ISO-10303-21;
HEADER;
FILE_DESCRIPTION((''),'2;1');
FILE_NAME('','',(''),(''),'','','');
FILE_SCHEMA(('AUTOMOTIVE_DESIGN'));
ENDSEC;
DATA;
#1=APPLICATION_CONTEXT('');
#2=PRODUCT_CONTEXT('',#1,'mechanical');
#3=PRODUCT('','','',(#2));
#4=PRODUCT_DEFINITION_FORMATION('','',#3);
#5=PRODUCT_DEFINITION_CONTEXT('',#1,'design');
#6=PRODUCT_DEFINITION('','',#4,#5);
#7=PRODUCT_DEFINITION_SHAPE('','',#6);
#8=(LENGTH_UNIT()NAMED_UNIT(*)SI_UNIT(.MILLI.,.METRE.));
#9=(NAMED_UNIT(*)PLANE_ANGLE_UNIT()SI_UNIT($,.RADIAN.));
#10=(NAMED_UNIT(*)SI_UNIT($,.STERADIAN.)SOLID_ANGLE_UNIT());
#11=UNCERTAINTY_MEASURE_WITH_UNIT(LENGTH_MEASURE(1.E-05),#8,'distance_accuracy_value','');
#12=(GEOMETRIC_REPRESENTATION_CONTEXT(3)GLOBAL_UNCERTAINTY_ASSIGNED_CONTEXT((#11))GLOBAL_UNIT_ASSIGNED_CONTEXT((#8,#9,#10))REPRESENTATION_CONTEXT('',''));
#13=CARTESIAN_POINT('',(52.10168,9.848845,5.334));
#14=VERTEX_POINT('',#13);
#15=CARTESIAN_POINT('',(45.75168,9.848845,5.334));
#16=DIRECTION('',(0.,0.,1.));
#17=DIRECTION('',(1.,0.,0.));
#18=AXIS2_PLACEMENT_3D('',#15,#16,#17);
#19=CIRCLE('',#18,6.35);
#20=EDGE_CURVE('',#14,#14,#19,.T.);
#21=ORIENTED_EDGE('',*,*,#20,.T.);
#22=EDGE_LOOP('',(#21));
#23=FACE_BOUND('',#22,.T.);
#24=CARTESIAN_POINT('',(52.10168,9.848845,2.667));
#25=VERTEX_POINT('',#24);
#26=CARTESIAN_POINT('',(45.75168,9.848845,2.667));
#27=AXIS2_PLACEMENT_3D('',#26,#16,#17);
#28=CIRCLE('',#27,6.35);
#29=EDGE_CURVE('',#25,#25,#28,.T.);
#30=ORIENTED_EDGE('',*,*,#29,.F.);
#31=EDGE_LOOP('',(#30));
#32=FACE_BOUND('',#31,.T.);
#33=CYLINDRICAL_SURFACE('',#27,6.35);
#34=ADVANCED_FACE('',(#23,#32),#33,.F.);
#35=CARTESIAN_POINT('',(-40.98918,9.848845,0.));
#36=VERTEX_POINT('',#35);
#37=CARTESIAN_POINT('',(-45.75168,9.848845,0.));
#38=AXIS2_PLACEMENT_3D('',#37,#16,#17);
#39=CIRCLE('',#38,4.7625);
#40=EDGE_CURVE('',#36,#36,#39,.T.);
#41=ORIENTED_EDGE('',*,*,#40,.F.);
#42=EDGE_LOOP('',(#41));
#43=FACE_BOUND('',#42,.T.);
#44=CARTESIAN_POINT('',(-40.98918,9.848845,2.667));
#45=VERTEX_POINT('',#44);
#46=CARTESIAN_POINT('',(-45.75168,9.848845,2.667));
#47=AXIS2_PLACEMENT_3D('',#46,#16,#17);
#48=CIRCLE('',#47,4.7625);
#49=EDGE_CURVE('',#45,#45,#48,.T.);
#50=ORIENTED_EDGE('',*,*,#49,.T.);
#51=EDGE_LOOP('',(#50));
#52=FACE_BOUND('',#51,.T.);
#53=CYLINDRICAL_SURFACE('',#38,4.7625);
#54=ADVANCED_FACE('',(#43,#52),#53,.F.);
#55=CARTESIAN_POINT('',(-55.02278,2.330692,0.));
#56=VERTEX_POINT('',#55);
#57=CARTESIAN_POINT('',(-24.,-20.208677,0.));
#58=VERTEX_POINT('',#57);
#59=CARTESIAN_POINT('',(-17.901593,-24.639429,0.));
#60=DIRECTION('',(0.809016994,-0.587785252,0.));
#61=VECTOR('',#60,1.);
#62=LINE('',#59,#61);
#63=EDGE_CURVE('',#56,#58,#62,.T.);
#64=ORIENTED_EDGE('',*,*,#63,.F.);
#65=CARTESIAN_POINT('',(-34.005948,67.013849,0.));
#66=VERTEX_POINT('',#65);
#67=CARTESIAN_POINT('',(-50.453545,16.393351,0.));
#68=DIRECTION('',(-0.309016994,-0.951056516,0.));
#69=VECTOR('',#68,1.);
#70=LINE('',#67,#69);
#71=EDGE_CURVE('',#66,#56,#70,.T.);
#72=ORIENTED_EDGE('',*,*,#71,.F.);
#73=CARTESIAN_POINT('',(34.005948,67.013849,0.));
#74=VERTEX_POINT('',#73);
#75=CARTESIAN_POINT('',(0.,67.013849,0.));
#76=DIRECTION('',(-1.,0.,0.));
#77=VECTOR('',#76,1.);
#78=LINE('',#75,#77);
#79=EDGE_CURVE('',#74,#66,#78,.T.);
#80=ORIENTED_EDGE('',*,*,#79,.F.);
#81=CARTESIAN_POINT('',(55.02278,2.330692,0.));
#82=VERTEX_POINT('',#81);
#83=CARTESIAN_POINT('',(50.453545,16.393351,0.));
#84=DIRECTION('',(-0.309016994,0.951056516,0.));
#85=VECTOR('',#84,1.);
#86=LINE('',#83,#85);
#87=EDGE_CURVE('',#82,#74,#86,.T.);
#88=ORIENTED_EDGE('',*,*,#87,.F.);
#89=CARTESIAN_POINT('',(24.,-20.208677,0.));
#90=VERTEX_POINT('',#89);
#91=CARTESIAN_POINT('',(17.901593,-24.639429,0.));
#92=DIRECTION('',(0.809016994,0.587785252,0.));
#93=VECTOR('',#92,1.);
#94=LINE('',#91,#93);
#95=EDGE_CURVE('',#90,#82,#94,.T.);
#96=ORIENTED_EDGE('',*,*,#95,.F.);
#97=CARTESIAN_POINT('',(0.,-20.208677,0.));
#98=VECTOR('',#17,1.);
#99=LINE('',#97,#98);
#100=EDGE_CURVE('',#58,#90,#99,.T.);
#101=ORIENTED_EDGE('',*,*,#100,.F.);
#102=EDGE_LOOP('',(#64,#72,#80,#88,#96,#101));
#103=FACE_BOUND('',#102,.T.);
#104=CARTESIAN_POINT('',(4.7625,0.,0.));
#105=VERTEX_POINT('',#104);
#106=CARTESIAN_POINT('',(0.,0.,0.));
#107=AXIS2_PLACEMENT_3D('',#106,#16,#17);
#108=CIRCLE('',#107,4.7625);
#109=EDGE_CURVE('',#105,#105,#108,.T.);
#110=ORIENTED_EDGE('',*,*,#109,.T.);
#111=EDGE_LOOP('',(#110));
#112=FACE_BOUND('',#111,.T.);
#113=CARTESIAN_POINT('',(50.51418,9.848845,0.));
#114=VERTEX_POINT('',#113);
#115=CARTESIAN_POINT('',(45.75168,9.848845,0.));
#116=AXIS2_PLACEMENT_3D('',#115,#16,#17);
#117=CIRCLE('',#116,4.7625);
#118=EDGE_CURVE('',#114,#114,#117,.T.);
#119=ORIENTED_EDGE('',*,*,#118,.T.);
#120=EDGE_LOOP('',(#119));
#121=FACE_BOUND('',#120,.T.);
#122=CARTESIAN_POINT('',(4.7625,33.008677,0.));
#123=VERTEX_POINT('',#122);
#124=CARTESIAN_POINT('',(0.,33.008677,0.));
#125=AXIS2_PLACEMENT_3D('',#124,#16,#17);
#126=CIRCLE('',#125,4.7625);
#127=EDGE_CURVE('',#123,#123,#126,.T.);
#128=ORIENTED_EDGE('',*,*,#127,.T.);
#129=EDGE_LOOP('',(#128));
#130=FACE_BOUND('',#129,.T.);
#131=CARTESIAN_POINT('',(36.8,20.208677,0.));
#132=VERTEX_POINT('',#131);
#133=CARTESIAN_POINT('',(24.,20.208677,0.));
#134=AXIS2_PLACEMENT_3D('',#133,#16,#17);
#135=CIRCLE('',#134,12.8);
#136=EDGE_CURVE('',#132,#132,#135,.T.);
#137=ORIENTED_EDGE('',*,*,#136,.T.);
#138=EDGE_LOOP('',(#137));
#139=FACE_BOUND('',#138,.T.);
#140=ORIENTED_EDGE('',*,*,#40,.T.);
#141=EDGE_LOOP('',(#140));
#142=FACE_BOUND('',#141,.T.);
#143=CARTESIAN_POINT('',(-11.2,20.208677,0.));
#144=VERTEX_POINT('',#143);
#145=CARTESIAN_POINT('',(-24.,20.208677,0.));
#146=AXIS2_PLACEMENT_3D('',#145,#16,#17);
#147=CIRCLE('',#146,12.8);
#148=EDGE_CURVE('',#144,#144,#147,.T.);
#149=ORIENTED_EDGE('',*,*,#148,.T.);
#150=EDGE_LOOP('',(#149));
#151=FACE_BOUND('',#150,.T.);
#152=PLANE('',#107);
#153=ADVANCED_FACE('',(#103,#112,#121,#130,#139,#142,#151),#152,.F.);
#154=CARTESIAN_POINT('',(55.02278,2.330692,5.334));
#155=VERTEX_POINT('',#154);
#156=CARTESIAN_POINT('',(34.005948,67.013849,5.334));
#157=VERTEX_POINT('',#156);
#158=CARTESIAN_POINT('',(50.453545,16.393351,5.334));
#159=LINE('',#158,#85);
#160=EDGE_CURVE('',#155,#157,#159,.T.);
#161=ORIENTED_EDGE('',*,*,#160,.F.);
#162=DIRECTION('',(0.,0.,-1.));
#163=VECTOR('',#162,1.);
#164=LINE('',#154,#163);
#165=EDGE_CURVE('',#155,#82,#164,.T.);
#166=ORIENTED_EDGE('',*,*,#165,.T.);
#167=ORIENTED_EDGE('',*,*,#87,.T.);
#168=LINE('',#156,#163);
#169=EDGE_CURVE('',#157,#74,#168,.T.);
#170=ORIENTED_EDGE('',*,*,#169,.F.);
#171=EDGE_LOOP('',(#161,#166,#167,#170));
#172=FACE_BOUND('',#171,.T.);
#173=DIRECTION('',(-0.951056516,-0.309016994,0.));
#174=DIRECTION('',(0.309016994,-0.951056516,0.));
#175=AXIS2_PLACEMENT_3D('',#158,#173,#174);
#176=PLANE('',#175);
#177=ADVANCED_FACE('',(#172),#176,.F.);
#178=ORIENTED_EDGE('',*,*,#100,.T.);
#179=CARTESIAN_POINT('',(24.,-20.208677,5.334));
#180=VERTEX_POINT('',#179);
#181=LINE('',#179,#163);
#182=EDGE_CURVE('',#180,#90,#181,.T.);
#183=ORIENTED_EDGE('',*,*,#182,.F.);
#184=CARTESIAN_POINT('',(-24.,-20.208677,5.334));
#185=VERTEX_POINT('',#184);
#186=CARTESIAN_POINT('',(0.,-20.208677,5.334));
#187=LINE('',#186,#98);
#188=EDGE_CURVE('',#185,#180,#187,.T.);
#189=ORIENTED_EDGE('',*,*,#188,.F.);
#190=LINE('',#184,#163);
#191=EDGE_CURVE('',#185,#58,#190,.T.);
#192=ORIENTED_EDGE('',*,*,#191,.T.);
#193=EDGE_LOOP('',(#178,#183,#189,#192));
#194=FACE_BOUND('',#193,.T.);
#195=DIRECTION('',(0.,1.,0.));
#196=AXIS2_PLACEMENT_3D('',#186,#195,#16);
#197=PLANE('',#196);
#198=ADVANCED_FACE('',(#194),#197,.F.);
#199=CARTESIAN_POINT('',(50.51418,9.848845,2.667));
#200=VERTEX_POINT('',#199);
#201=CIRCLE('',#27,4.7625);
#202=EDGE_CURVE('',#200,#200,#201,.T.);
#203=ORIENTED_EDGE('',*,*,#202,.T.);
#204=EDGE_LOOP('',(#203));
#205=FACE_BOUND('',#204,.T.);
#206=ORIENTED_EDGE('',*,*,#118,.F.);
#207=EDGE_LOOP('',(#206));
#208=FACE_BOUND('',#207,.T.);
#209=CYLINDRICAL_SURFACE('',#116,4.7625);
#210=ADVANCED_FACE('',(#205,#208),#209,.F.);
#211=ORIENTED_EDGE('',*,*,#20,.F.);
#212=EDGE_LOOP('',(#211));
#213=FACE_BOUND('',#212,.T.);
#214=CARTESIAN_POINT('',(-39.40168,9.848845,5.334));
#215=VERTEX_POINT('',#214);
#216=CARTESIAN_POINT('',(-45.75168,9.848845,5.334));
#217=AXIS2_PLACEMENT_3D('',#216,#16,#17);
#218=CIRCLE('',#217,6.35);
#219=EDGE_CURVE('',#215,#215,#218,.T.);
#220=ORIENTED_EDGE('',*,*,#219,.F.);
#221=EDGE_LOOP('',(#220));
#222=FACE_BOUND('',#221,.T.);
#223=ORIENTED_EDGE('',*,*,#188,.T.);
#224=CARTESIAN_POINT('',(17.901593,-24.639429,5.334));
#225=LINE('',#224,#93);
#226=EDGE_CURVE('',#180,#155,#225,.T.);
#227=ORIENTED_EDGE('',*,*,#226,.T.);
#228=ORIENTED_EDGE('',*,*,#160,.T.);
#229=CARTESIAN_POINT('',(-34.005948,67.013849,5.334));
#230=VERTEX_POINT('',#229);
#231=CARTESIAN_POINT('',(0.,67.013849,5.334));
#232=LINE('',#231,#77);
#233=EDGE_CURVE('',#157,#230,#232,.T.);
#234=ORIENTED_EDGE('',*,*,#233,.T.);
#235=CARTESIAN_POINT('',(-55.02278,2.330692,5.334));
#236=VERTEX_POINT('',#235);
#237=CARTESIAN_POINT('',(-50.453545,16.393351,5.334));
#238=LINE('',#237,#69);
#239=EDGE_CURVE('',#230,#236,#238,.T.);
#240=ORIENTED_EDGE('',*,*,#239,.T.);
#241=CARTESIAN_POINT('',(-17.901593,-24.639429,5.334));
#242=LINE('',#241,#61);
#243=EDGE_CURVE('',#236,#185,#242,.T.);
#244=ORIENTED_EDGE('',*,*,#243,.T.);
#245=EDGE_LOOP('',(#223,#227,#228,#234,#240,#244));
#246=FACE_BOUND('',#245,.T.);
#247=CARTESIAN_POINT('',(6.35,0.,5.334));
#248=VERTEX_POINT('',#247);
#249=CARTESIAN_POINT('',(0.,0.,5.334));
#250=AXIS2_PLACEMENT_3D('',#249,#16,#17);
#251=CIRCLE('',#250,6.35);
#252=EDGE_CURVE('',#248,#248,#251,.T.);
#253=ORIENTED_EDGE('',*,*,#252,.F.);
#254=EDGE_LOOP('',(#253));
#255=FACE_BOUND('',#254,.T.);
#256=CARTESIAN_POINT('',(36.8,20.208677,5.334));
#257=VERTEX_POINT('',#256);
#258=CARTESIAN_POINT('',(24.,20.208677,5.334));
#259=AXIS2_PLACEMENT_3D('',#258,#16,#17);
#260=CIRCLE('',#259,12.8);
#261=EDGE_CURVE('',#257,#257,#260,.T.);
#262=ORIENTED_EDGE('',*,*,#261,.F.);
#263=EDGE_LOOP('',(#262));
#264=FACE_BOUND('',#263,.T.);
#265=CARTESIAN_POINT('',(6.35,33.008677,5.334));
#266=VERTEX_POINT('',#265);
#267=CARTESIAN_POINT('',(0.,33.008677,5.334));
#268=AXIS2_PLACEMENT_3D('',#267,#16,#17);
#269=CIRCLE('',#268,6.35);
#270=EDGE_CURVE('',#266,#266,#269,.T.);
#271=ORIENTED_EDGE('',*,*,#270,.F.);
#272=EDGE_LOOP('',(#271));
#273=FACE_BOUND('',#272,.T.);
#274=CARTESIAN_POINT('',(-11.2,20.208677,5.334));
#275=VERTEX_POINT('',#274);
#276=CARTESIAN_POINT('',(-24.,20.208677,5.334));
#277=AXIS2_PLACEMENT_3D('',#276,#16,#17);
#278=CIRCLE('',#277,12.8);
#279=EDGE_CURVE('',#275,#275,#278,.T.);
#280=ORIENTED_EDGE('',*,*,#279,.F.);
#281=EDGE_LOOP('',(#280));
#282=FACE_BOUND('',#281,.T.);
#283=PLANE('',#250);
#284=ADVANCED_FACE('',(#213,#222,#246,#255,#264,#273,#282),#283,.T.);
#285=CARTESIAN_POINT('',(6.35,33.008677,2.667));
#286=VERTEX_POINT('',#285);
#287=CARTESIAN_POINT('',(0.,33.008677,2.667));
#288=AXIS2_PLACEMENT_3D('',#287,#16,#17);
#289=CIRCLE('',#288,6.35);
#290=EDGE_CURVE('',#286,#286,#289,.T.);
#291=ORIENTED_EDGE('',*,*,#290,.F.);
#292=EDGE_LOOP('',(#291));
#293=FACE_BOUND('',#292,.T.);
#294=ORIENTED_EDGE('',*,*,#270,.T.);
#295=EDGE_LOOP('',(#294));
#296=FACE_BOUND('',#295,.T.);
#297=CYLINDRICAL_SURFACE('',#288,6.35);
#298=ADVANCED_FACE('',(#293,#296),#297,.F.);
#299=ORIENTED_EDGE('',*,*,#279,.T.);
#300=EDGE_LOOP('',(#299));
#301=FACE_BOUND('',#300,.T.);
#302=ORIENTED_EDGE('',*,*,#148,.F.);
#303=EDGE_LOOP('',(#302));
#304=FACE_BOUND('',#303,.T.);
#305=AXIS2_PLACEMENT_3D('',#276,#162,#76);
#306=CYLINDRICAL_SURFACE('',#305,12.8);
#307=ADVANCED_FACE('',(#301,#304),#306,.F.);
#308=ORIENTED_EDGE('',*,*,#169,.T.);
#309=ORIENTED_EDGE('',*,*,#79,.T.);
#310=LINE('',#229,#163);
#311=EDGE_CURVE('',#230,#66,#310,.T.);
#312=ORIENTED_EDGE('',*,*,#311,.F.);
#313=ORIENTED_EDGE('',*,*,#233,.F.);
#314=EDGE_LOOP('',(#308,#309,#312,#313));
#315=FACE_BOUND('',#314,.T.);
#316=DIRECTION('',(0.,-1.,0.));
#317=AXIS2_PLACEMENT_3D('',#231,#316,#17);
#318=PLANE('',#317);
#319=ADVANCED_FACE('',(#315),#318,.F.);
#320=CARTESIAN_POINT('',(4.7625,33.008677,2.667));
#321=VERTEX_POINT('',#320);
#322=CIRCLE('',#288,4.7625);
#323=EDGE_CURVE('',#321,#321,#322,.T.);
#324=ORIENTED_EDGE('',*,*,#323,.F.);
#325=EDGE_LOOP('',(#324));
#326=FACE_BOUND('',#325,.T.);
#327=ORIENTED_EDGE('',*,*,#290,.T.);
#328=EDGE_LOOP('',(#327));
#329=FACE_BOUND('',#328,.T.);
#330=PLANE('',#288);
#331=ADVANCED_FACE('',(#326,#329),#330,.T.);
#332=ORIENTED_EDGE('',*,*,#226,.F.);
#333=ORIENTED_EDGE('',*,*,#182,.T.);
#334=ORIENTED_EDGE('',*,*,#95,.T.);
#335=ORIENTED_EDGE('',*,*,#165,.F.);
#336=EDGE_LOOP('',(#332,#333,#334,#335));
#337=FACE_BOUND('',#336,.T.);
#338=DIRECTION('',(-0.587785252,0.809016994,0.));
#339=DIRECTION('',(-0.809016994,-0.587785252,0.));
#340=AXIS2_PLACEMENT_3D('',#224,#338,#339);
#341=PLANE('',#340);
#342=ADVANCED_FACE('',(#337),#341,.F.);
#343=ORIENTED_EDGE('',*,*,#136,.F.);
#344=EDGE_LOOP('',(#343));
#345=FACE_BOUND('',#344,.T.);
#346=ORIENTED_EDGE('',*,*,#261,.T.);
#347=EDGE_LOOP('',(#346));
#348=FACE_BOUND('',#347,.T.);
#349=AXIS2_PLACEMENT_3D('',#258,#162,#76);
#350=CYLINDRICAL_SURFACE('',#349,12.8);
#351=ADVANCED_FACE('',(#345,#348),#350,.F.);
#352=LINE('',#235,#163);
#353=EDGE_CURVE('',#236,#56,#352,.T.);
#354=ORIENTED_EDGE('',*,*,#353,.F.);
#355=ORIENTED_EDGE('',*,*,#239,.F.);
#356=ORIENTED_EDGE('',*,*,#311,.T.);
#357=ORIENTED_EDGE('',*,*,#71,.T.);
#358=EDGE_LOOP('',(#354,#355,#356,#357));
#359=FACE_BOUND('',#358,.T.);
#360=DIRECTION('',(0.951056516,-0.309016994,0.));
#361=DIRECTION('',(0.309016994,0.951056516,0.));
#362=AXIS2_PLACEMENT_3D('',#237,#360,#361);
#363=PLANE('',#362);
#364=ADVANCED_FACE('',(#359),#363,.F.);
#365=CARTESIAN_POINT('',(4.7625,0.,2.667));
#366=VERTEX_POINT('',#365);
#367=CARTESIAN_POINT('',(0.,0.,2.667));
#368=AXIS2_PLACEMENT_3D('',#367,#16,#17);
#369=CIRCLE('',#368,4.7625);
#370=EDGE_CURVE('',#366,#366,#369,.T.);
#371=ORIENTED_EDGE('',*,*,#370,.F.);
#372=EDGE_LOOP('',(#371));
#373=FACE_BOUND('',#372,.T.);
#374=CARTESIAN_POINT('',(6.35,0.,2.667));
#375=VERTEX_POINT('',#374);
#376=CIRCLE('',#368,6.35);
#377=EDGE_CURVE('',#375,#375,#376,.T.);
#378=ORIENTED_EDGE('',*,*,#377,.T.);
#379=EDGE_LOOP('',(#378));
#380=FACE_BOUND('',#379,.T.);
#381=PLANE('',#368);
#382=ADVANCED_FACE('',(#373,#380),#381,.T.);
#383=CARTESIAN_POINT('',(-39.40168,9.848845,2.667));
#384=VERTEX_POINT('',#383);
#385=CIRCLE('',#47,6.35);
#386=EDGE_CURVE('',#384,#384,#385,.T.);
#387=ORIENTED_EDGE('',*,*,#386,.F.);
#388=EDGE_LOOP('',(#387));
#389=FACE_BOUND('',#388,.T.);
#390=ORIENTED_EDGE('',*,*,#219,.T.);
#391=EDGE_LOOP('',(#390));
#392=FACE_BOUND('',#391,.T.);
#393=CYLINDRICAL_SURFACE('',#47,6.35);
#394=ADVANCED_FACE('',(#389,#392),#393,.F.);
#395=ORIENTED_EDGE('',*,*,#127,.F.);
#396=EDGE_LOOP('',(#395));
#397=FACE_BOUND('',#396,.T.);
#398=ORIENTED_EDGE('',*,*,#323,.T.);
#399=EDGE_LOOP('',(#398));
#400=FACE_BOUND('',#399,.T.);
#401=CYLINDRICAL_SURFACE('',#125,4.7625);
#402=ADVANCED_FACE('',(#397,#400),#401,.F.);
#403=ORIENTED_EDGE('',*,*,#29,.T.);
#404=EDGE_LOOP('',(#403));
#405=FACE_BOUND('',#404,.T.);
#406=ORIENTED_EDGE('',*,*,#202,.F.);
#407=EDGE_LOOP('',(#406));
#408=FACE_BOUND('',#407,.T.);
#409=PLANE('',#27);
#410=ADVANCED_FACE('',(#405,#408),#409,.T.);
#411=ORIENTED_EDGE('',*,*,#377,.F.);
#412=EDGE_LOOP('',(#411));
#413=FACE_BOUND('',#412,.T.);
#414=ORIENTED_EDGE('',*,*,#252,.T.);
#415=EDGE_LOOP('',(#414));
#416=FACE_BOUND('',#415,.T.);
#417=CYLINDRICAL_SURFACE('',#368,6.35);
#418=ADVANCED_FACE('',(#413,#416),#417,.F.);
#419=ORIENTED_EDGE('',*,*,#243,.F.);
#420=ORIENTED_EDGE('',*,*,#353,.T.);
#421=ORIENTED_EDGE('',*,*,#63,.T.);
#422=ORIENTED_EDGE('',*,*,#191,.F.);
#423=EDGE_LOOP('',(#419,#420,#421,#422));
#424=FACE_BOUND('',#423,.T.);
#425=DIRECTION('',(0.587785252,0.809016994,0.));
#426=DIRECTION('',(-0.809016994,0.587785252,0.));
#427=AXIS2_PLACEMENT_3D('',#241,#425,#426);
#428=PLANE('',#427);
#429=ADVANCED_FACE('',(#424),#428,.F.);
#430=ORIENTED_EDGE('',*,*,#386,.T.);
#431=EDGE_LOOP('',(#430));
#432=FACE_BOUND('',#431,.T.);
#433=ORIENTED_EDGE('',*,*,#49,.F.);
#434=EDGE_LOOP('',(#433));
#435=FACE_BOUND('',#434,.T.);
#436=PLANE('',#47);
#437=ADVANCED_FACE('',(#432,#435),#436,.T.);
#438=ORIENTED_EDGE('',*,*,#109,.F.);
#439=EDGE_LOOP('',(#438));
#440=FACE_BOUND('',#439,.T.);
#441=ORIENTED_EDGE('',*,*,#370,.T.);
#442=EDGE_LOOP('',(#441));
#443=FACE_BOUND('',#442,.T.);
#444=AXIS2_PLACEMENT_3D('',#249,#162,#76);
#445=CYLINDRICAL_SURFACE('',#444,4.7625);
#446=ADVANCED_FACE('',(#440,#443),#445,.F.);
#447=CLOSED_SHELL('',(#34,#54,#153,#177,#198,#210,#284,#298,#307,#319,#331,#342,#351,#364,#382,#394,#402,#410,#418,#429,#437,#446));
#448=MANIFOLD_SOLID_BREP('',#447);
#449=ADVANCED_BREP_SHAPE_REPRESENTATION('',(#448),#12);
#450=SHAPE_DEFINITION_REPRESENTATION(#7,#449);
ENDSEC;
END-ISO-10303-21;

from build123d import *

# Parameters (mm, degrees)
SKETCH2_R           = 4.7625
SKETCH2_R_2         = 12.8
BOSS_EXTRUDE2_DEPTH = 5.334
CUT_EXTRUDE3_START  = -2.667
SKETCH3_R           = 6.35
SKETCH3_R_2         = 4.7625
CUT_EXTRUDE3_DEPTH  = 2.667
SKETCH3_2_R         = 4.7625
CUT_EXTRUDE4_DEPTH  = 87.872399887


with BuildPart() as part:
    # Sketch2 → Boss-Extrude2 (new body)
    with BuildSketch(Plane.XY):
        Polygon((-55.022779977, 2.330692017), (-24, -20.208676973), (24, -20.208676973), (55.022779977, 2.330692017), (34.005948181, 67.013849238), (-34.005948181, 67.013849238), align=None)
        Circle(SKETCH2_R, mode=Mode.SUBTRACT)
        with Locations((-24, 20.208676973)):
            Circle(SKETCH2_R_2, mode=Mode.SUBTRACT)
        with Locations((24, 20.208676973)):
            Circle(SKETCH2_R_2, mode=Mode.SUBTRACT)
    extrude(amount=BOSS_EXTRUDE2_DEPTH)

    # Sketch3 → Cut-Extrude3 (cut)
    # profile 1 of 4: a face of its own
    with BuildSketch(Plane.XY.offset(5.334).offset(CUT_EXTRUDE3_START)):
        Circle(SKETCH3_R)
        Circle(SKETCH3_R_2, mode=Mode.SUBTRACT)
    # profile 2 of 4: a face of its own
    with BuildSketch(Plane.XY.offset(5.334).offset(CUT_EXTRUDE3_START)):
        with Locations((45.751679669, 9.848845061)):
            Circle(SKETCH3_R)
        with Locations((45.751679669, 9.848845061)):
            Circle(SKETCH3_R_2, mode=Mode.SUBTRACT)
    # profile 3 of 4: a face of its own
    with BuildSketch(Plane.XY.offset(5.334).offset(CUT_EXTRUDE3_START)):
        with Locations((0, 33.008676973)):
            Circle(SKETCH3_R)
        with Locations((0, 33.008676973)):
            Circle(SKETCH3_R_2, mode=Mode.SUBTRACT)
    # profile 4 of 4: a face of its own
    with BuildSketch(Plane.XY.offset(5.334).offset(CUT_EXTRUDE3_START)):
        with Locations((-45.751679669, 9.848845061)):
            Circle(SKETCH3_R)
        with Locations((-45.751679669, 9.848845061)):
            Circle(SKETCH3_R_2, mode=Mode.SUBTRACT)
    extrude(amount=CUT_EXTRUDE3_DEPTH, mode=Mode.SUBTRACT)

    # Sketch3<2> → Cut-Extrude4 (cut, through all)
    with BuildSketch(Plane.XY.offset(5.334)):
        with Locations((45.751679669, 9.848845061)):
            Circle(SKETCH3_2_R)
        with Locations((0, 33.008676973)):
            Circle(SKETCH3_2_R)
        with Locations((-45.751679669, 9.848845061)):
            Circle(SKETCH3_2_R)
    extrude(amount=-CUT_EXTRUDE4_DEPTH, mode=Mode.SUBTRACT)


solid = part.part
